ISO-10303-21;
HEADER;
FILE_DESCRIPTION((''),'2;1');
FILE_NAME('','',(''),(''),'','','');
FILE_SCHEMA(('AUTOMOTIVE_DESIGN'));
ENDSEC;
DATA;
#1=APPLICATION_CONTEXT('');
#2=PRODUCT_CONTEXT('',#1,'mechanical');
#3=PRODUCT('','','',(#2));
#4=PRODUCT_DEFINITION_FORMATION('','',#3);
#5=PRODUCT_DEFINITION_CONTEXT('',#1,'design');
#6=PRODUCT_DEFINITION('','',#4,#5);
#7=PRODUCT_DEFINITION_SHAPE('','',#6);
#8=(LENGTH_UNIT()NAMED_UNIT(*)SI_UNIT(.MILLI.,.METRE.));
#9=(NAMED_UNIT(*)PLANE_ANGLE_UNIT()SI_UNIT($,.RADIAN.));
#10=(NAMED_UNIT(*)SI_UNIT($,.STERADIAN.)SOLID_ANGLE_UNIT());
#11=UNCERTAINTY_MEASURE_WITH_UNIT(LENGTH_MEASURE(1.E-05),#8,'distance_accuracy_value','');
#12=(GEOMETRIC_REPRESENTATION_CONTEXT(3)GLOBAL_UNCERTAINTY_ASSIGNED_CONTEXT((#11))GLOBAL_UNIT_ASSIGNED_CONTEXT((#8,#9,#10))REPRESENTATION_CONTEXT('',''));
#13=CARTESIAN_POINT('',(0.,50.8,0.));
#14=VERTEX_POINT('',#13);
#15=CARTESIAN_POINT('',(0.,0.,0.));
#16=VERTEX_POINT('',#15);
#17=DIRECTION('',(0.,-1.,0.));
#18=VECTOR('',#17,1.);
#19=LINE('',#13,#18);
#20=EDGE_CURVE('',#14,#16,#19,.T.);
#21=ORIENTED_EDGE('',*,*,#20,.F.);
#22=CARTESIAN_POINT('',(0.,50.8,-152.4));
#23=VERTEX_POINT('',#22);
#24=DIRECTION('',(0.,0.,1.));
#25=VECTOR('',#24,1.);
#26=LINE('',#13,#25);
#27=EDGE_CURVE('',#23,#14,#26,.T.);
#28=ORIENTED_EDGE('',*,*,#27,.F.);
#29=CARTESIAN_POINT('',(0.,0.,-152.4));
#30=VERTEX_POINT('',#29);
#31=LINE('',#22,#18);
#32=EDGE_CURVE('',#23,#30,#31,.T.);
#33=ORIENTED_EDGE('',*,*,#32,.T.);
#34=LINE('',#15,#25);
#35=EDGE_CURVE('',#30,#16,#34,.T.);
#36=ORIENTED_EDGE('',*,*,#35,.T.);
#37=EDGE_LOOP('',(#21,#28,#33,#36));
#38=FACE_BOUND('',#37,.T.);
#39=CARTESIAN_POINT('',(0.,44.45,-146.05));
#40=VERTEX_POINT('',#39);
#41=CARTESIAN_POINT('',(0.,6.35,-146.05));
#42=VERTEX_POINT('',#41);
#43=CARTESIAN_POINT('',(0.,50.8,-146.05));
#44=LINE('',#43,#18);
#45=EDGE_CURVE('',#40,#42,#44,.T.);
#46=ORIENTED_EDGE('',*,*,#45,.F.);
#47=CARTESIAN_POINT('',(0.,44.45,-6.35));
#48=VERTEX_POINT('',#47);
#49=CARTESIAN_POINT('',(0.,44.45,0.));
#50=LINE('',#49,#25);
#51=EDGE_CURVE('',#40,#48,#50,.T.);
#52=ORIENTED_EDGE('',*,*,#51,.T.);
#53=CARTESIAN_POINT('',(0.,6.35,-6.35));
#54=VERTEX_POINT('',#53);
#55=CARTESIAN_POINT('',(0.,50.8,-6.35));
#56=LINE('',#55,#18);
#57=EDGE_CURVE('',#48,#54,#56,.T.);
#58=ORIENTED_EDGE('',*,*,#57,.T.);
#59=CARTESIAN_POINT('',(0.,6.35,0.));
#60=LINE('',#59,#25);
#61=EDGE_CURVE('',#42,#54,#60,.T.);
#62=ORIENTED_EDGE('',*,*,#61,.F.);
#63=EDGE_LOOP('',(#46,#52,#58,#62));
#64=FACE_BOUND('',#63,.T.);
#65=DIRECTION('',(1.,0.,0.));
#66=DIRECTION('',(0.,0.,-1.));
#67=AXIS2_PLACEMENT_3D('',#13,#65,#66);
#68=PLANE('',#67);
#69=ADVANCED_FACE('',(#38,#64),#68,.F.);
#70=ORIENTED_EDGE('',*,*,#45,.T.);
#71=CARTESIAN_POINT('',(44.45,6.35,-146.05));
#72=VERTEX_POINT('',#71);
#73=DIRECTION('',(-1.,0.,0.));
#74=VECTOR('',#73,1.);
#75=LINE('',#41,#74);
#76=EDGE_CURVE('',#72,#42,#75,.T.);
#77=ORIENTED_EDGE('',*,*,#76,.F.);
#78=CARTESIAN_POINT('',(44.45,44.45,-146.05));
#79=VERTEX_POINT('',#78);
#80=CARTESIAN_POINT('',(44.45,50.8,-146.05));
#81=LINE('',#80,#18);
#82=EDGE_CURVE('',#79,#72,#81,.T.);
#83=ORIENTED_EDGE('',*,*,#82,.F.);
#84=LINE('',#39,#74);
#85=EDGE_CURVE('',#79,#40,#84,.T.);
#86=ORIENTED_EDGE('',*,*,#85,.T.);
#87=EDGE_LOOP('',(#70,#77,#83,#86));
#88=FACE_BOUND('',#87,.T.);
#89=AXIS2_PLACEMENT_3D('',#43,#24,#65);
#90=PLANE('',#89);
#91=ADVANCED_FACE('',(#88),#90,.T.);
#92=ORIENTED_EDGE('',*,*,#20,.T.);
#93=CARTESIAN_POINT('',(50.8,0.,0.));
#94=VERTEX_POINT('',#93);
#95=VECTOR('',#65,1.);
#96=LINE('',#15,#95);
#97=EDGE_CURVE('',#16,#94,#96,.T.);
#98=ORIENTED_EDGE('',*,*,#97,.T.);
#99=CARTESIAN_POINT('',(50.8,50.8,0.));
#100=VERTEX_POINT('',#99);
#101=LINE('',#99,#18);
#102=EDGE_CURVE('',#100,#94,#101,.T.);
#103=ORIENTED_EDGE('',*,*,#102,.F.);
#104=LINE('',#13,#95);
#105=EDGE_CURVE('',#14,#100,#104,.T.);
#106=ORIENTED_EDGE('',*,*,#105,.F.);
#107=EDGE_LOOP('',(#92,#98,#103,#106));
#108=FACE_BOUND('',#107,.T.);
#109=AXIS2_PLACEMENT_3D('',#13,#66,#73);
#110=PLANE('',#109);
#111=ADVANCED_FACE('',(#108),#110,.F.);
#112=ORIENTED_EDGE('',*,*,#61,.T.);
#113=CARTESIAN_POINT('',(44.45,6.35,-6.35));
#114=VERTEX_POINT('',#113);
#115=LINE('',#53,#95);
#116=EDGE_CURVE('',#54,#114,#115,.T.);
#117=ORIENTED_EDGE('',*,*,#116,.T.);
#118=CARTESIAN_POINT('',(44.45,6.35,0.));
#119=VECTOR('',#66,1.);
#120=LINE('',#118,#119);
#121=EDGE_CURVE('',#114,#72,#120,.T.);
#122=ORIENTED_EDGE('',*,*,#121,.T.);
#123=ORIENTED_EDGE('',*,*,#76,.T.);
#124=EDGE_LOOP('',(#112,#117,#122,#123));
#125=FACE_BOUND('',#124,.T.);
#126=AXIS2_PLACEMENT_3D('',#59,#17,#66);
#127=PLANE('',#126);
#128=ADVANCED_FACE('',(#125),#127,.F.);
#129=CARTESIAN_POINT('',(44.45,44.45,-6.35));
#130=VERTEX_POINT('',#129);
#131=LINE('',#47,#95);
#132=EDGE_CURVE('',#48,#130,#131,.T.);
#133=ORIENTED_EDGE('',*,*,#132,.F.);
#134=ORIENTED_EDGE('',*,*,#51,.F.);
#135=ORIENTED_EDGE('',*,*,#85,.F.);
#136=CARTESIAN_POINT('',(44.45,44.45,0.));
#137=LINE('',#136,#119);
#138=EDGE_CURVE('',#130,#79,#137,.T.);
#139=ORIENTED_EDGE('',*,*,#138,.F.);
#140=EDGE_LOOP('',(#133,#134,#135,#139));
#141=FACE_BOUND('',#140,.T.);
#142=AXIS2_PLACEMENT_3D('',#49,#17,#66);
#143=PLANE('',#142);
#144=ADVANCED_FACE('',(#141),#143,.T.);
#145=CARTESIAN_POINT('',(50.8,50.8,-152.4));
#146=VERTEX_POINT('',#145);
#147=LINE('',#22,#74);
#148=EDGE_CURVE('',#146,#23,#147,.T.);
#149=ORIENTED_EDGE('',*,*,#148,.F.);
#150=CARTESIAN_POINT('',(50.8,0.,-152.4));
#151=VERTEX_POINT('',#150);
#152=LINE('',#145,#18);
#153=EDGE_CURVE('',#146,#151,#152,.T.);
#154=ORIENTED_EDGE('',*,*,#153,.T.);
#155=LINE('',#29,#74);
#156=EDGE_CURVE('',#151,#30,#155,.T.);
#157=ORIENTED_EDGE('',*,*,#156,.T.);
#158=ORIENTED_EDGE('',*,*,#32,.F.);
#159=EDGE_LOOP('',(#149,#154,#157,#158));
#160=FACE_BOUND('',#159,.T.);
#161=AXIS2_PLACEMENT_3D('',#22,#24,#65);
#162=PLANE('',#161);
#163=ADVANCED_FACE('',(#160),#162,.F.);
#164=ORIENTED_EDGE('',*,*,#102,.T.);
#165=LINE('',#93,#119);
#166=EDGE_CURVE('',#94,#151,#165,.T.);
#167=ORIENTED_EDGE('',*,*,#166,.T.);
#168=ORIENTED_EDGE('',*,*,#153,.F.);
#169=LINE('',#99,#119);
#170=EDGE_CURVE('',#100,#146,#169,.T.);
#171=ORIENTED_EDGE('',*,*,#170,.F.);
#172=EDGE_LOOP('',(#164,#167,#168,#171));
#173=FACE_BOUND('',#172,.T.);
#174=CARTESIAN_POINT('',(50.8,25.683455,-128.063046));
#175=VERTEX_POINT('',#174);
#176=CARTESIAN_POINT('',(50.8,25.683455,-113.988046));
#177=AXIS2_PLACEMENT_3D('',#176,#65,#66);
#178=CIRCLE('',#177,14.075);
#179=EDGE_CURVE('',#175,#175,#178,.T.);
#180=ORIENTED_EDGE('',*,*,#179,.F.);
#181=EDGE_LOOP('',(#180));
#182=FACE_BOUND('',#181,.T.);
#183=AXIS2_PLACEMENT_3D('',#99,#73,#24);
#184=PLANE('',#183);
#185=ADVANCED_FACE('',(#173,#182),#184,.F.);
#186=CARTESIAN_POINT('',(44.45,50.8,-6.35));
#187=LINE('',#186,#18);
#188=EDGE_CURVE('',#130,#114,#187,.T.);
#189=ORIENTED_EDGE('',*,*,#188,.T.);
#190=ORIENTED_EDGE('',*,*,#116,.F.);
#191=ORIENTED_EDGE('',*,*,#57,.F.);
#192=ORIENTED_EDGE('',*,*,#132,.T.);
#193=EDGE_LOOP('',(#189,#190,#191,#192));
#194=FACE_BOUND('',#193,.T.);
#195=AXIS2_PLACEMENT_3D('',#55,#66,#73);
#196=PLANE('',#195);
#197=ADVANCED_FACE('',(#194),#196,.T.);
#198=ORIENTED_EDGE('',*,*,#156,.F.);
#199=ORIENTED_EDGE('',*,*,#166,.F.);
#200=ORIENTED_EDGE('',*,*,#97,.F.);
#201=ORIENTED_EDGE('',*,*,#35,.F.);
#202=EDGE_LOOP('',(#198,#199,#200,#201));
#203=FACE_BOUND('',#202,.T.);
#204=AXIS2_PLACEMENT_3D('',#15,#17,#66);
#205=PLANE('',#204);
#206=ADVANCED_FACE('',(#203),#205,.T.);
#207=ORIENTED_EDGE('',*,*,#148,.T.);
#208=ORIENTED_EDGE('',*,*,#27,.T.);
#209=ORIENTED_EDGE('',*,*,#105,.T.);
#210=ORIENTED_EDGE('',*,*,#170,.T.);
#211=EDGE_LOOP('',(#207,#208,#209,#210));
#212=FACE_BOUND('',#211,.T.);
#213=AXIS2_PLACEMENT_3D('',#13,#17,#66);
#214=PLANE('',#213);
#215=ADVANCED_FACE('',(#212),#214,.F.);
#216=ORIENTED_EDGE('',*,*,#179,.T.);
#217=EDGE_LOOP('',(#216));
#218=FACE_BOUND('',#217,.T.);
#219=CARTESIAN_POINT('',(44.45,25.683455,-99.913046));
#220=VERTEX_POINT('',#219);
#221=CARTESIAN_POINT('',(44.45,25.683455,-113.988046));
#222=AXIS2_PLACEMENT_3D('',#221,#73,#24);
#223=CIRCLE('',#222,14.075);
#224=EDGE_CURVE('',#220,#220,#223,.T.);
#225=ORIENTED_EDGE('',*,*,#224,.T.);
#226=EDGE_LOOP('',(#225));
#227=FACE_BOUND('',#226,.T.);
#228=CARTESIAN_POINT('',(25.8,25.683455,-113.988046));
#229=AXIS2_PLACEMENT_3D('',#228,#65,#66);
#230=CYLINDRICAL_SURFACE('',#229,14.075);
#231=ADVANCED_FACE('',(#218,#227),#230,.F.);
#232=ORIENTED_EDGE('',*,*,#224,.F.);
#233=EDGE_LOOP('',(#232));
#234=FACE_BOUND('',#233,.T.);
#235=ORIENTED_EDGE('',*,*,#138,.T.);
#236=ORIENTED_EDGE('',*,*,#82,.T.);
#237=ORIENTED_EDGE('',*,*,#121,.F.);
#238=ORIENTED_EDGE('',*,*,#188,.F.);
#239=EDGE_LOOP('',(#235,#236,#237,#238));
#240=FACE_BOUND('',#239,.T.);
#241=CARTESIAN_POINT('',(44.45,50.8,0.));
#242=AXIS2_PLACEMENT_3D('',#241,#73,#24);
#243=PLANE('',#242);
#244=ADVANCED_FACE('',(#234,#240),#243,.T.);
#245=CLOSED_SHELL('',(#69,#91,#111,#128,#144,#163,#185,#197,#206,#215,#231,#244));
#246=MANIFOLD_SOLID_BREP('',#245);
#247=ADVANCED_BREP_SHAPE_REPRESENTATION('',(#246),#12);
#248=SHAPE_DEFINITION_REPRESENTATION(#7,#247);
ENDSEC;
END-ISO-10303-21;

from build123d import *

# Parameters (mm, degrees)
SKETCH1_W           = 50.8
SKETCH1_H           = 152.4
BOSS_EXTRUDE1_DEPTH = 50.8
SHELL1_T            = -6.35
SKETCH4_R           = 14.075
CUT_EXTRUDE1_DEPTH  = 25


with BuildPart() as part:
    # Sketch1 → Boss-Extrude1 (new body)
    with BuildSketch(Plane(origin=(0, 0, 0), x_dir=(1, 0, 0), z_dir=(0, 1, 0))):
        with Locations((25.4, 76.2)):
            Rectangle(SKETCH1_W, SKETCH1_H)
    extrude(amount=BOSS_EXTRUDE1_DEPTH)

    # Shell1
    shell1_openings = [part.faces().sort_by_distance(p)[0] for p in [
        (0, 25.4, -76.2),
    ]]
    offset(amount=SHELL1_T, openings=shell1_openings, kind=Kind.INTERSECTION)

    # Sketch4 → Cut-Extrude1 (cut)
    with BuildSketch(Plane(origin=(50.8, 0, 0), x_dir=(0, 0, -1), z_dir=(1, 0, 0))):
        with Locations((113.988045791, 25.683455189)):
            Circle(SKETCH4_R)
    extrude(amount=-CUT_EXTRUDE1_DEPTH, mode=Mode.SUBTRACT)


solid = part.part
